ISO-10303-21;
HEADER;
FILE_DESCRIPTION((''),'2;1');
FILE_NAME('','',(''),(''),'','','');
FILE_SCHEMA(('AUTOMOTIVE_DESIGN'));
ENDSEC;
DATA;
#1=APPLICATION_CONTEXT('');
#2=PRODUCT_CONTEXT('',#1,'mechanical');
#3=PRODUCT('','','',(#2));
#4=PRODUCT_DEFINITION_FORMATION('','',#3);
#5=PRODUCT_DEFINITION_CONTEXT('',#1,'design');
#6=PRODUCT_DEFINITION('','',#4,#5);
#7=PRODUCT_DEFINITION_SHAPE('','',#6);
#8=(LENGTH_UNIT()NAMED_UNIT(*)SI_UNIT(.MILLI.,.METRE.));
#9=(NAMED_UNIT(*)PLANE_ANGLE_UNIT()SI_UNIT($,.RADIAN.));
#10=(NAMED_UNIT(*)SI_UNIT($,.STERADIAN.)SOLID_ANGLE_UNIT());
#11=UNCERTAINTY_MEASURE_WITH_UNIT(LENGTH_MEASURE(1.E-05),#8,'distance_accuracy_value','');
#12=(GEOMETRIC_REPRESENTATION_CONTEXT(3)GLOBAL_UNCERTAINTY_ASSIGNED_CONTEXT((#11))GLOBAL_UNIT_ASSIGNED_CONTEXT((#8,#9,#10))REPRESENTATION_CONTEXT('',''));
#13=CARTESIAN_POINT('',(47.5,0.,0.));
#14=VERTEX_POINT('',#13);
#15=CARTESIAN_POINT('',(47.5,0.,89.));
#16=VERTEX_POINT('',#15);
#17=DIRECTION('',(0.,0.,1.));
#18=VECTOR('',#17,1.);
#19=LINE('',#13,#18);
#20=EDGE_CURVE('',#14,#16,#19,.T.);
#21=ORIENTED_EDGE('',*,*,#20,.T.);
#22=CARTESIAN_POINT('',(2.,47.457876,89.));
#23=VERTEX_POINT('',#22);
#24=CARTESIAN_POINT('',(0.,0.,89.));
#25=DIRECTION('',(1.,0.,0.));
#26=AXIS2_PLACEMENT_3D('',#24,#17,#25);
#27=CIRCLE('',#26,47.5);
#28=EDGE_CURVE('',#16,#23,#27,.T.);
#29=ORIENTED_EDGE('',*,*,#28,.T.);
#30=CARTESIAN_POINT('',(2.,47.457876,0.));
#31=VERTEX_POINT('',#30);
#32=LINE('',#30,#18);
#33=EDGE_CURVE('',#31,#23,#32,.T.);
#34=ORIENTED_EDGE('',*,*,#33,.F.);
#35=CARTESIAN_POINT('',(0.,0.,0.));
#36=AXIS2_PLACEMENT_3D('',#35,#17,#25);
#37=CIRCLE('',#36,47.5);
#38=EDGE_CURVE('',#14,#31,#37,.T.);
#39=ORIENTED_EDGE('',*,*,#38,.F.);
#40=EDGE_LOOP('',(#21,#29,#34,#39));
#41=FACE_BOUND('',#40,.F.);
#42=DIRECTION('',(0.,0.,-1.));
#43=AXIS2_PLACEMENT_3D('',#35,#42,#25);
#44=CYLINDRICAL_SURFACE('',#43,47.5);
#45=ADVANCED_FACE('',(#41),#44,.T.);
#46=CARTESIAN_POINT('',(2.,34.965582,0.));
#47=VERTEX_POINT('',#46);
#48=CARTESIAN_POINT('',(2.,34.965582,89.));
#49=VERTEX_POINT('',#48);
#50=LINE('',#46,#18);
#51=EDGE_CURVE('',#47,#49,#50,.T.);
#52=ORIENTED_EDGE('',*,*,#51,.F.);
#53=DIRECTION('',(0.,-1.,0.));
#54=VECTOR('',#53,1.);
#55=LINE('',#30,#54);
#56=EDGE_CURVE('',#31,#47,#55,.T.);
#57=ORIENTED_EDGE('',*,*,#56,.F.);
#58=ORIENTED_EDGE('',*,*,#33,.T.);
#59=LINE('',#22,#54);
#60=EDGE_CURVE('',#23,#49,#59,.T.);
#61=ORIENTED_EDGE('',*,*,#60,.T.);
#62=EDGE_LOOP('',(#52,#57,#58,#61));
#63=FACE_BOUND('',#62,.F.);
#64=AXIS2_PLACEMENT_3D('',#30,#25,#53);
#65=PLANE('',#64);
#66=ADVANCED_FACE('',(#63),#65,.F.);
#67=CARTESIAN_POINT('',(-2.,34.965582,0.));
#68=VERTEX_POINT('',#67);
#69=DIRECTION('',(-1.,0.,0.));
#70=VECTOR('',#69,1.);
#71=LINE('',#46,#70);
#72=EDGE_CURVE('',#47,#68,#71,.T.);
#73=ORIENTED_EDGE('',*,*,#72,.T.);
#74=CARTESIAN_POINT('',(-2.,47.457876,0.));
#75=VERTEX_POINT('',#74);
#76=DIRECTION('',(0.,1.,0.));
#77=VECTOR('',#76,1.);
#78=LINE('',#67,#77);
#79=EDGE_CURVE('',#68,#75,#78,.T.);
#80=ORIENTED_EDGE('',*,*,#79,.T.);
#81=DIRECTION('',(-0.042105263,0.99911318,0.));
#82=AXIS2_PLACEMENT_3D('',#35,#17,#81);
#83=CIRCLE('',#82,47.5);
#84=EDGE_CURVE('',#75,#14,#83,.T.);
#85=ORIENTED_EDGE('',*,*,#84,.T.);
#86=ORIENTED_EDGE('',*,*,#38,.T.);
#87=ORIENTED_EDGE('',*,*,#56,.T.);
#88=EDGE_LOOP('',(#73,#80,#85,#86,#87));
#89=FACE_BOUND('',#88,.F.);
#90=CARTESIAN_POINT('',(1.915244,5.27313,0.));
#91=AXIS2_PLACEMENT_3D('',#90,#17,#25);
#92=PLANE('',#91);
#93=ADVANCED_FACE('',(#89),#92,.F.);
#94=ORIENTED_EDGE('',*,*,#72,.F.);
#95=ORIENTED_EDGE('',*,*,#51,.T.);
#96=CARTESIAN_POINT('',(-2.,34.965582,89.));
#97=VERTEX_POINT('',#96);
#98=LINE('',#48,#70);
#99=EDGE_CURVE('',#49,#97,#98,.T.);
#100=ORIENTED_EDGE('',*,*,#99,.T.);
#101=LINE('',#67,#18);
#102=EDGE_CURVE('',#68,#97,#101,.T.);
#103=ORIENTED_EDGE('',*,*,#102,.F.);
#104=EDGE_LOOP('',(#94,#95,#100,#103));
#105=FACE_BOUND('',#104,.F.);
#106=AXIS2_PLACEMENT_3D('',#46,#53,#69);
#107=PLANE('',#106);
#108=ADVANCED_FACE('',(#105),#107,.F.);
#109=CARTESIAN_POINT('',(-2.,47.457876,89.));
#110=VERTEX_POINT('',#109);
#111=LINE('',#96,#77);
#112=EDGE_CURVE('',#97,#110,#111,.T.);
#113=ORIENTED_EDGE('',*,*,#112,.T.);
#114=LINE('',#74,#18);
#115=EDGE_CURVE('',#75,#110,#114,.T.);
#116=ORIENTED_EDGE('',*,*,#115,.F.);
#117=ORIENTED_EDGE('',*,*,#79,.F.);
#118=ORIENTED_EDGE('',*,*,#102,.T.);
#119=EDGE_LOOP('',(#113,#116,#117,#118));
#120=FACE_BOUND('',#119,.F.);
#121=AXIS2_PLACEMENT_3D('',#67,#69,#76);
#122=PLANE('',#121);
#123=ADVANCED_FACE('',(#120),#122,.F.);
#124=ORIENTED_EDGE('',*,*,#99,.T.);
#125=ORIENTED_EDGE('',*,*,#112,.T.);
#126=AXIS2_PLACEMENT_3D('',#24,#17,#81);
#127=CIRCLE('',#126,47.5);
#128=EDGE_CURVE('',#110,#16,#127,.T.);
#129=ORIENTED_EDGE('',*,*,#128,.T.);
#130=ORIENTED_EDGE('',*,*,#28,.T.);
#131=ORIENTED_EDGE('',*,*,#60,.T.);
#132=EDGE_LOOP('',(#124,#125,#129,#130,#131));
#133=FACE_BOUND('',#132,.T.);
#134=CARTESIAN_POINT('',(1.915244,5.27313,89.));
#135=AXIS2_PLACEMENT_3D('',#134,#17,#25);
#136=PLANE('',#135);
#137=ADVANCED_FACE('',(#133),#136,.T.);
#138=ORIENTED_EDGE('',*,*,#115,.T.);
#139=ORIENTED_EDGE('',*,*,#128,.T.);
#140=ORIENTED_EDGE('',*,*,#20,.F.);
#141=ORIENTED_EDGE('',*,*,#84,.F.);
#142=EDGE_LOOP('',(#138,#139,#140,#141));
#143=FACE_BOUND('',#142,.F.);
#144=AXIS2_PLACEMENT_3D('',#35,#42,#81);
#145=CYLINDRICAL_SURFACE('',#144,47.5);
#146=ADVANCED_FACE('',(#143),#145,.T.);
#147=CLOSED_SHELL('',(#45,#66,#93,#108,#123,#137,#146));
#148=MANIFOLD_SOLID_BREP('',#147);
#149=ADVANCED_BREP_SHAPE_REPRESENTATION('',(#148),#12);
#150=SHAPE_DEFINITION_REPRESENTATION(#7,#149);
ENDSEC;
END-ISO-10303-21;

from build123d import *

# Parameters (mm, degrees)
F1_DEPTH = 89


with BuildPart() as f1:
    # F0 (on Top) → F1 (new body)
    with BuildSketch(Plane.XY):
        with BuildLine():
            ThreePointArc((-2, 47.4578760587), (-32.8728611472, -34.287388352), (47.5, 0))
            ThreePointArc((47.5, 0), (34.287388352, 32.8728611472), (2, 47.4578760587))
            Line((2, 47.4578760587), (2, 34.9655821919))
            Line((2, 34.9655821919), (0, 34.9655821919))
            Line((0, 34.9655821919), (-2, 34.9655821919))
            Line((-2, 34.9655821919), (-2, 47.4578760587))
        make_face()
    extrude(amount=F1_DEPTH)


solid = f1.part
